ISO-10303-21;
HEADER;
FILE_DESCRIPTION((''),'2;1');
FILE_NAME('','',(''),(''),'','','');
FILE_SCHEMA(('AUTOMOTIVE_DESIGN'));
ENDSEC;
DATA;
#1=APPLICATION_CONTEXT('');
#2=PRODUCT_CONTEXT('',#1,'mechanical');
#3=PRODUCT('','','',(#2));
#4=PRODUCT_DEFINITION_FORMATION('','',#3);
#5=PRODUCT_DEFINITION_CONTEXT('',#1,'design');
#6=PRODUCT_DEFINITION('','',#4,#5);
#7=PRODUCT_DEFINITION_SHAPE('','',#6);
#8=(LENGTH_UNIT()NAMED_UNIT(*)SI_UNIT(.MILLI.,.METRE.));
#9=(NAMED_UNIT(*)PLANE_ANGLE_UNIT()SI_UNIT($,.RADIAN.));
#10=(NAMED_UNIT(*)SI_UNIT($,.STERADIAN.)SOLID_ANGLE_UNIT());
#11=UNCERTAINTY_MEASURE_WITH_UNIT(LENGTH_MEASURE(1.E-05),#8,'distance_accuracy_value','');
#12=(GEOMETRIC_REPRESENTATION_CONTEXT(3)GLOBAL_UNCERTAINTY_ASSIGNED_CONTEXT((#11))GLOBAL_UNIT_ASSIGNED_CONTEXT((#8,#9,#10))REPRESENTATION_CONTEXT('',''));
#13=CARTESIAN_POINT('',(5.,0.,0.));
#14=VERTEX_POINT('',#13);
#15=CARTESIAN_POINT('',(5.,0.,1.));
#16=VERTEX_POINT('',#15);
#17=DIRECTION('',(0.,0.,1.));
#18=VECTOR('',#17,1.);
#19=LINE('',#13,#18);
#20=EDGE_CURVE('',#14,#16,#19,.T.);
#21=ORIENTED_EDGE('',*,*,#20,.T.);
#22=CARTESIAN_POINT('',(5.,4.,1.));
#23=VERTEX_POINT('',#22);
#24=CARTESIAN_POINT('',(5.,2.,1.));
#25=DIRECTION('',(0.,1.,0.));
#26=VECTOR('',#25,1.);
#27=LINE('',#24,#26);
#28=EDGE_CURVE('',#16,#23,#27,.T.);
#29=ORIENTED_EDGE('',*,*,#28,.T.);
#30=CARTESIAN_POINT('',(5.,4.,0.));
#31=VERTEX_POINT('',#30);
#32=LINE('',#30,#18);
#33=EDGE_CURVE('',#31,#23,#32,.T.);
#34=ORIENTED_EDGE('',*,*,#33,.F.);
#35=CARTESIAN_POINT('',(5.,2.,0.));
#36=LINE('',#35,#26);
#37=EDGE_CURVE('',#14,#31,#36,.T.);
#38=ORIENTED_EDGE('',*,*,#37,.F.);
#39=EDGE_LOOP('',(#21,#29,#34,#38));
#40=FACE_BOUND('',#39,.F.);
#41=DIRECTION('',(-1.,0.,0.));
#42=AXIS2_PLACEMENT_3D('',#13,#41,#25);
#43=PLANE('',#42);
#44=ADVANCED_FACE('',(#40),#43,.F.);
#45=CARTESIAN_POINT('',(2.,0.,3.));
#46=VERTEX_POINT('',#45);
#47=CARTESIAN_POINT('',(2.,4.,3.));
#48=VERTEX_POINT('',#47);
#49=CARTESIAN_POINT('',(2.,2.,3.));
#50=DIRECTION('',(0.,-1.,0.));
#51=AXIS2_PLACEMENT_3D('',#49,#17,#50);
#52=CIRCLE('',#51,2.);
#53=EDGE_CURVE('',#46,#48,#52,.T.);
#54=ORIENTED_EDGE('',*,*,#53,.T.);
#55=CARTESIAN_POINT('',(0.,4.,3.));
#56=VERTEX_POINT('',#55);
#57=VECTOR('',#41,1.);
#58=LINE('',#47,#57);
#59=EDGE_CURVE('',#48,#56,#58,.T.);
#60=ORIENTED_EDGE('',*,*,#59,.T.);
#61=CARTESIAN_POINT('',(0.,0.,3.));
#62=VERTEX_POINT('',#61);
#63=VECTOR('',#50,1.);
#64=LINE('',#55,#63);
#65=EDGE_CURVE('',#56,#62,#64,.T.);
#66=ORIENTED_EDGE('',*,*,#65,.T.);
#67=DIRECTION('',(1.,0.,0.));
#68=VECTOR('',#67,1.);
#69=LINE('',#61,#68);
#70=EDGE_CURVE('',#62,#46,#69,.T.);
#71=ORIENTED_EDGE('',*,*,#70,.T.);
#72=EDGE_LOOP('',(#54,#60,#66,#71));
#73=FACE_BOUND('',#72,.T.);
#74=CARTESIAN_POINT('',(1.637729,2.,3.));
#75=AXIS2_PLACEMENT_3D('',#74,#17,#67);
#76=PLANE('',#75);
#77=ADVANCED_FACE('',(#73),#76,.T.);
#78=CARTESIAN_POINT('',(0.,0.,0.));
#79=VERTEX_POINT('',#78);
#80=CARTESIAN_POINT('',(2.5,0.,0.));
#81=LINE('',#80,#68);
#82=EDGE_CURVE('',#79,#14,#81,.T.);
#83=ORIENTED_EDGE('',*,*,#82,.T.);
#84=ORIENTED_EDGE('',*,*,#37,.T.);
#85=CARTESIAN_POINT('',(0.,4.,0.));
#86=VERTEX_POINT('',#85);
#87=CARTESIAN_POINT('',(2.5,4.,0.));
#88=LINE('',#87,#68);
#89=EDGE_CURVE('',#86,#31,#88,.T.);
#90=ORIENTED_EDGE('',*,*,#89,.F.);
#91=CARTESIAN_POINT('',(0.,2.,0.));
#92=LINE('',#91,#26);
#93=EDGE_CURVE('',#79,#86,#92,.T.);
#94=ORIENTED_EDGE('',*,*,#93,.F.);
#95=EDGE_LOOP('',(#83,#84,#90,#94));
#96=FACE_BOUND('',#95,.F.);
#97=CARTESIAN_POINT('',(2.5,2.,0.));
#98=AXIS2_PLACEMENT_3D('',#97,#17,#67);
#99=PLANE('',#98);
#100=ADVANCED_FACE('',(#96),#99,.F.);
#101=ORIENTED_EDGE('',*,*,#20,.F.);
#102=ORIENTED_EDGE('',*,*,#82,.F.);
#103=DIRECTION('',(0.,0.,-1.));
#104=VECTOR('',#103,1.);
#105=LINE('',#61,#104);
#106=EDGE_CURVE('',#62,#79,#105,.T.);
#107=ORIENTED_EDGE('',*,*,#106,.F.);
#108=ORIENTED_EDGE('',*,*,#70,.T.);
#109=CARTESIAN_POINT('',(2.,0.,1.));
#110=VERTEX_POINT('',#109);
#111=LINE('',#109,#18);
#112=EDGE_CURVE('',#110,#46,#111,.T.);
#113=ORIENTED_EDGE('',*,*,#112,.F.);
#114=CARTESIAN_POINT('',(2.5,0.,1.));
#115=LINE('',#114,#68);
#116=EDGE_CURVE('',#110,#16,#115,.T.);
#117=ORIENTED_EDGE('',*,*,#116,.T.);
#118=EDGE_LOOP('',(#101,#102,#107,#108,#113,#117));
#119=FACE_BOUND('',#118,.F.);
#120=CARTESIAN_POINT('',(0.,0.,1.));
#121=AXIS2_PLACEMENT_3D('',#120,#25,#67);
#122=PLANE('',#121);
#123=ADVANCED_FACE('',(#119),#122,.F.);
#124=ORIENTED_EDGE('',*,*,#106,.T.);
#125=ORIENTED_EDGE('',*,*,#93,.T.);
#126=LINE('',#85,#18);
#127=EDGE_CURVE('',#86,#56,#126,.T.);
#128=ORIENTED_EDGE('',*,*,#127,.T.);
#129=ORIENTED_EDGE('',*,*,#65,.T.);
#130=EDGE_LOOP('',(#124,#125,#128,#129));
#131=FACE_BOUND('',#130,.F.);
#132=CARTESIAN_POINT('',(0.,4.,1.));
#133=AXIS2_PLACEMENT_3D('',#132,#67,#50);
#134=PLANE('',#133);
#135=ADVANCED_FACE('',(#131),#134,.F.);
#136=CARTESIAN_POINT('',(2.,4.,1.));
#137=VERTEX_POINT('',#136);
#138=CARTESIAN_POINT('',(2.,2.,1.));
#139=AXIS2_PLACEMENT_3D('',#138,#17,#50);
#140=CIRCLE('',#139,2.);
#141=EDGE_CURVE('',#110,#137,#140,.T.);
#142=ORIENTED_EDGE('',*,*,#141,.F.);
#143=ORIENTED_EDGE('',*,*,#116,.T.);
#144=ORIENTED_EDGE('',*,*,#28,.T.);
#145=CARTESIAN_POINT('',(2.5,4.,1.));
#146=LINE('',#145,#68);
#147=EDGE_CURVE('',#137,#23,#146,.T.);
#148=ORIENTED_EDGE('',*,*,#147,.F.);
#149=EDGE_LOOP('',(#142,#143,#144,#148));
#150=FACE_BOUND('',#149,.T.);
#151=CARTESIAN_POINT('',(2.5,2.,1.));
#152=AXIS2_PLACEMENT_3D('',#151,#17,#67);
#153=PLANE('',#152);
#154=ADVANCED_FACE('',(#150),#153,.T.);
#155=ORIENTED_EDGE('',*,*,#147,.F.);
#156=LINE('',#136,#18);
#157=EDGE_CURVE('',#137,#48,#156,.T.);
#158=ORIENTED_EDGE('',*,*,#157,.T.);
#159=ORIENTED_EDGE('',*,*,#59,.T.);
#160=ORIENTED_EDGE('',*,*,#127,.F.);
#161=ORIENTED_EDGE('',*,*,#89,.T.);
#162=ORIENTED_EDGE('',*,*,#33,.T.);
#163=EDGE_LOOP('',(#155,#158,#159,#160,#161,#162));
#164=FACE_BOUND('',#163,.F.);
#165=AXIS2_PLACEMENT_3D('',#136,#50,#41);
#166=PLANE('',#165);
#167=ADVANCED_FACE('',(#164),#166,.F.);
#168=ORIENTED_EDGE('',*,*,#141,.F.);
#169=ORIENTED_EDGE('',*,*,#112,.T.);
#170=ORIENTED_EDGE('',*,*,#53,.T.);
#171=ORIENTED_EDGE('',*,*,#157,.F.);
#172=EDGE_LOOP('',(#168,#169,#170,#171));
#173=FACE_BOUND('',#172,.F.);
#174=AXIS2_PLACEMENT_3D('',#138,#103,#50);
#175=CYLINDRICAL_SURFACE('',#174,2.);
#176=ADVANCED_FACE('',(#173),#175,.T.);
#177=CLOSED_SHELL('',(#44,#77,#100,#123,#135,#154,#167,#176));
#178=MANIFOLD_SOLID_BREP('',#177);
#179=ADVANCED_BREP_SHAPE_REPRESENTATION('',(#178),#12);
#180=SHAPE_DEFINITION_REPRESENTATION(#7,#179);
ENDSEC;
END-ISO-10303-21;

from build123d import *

# Parameters (mm, degrees)
F0_W     = 5
F0_H     = 4
F1_DEPTH = 1
F3_DEPTH = 2


with BuildPart() as f1:
    # F0 (on Top) → F1 (new body)
    with BuildSketch(Plane.XY):
        with Locations((2.5, 2)):
            Rectangle(F0_W, F0_H)
    extrude(amount=F1_DEPTH)

    # F2 (on face) → F3 (join)
    with BuildSketch(Plane.XY.offset(1)):
        with BuildLine():
            ThreePointArc((2, 0), (4, 2), (2, 4))
            Line((2, 4), (0, 4))
            Line((0, 4), (0, 0))
            Line((0, 0), (2, 0))
        make_face()
    extrude(amount=F3_DEPTH)


solid = f1.part
